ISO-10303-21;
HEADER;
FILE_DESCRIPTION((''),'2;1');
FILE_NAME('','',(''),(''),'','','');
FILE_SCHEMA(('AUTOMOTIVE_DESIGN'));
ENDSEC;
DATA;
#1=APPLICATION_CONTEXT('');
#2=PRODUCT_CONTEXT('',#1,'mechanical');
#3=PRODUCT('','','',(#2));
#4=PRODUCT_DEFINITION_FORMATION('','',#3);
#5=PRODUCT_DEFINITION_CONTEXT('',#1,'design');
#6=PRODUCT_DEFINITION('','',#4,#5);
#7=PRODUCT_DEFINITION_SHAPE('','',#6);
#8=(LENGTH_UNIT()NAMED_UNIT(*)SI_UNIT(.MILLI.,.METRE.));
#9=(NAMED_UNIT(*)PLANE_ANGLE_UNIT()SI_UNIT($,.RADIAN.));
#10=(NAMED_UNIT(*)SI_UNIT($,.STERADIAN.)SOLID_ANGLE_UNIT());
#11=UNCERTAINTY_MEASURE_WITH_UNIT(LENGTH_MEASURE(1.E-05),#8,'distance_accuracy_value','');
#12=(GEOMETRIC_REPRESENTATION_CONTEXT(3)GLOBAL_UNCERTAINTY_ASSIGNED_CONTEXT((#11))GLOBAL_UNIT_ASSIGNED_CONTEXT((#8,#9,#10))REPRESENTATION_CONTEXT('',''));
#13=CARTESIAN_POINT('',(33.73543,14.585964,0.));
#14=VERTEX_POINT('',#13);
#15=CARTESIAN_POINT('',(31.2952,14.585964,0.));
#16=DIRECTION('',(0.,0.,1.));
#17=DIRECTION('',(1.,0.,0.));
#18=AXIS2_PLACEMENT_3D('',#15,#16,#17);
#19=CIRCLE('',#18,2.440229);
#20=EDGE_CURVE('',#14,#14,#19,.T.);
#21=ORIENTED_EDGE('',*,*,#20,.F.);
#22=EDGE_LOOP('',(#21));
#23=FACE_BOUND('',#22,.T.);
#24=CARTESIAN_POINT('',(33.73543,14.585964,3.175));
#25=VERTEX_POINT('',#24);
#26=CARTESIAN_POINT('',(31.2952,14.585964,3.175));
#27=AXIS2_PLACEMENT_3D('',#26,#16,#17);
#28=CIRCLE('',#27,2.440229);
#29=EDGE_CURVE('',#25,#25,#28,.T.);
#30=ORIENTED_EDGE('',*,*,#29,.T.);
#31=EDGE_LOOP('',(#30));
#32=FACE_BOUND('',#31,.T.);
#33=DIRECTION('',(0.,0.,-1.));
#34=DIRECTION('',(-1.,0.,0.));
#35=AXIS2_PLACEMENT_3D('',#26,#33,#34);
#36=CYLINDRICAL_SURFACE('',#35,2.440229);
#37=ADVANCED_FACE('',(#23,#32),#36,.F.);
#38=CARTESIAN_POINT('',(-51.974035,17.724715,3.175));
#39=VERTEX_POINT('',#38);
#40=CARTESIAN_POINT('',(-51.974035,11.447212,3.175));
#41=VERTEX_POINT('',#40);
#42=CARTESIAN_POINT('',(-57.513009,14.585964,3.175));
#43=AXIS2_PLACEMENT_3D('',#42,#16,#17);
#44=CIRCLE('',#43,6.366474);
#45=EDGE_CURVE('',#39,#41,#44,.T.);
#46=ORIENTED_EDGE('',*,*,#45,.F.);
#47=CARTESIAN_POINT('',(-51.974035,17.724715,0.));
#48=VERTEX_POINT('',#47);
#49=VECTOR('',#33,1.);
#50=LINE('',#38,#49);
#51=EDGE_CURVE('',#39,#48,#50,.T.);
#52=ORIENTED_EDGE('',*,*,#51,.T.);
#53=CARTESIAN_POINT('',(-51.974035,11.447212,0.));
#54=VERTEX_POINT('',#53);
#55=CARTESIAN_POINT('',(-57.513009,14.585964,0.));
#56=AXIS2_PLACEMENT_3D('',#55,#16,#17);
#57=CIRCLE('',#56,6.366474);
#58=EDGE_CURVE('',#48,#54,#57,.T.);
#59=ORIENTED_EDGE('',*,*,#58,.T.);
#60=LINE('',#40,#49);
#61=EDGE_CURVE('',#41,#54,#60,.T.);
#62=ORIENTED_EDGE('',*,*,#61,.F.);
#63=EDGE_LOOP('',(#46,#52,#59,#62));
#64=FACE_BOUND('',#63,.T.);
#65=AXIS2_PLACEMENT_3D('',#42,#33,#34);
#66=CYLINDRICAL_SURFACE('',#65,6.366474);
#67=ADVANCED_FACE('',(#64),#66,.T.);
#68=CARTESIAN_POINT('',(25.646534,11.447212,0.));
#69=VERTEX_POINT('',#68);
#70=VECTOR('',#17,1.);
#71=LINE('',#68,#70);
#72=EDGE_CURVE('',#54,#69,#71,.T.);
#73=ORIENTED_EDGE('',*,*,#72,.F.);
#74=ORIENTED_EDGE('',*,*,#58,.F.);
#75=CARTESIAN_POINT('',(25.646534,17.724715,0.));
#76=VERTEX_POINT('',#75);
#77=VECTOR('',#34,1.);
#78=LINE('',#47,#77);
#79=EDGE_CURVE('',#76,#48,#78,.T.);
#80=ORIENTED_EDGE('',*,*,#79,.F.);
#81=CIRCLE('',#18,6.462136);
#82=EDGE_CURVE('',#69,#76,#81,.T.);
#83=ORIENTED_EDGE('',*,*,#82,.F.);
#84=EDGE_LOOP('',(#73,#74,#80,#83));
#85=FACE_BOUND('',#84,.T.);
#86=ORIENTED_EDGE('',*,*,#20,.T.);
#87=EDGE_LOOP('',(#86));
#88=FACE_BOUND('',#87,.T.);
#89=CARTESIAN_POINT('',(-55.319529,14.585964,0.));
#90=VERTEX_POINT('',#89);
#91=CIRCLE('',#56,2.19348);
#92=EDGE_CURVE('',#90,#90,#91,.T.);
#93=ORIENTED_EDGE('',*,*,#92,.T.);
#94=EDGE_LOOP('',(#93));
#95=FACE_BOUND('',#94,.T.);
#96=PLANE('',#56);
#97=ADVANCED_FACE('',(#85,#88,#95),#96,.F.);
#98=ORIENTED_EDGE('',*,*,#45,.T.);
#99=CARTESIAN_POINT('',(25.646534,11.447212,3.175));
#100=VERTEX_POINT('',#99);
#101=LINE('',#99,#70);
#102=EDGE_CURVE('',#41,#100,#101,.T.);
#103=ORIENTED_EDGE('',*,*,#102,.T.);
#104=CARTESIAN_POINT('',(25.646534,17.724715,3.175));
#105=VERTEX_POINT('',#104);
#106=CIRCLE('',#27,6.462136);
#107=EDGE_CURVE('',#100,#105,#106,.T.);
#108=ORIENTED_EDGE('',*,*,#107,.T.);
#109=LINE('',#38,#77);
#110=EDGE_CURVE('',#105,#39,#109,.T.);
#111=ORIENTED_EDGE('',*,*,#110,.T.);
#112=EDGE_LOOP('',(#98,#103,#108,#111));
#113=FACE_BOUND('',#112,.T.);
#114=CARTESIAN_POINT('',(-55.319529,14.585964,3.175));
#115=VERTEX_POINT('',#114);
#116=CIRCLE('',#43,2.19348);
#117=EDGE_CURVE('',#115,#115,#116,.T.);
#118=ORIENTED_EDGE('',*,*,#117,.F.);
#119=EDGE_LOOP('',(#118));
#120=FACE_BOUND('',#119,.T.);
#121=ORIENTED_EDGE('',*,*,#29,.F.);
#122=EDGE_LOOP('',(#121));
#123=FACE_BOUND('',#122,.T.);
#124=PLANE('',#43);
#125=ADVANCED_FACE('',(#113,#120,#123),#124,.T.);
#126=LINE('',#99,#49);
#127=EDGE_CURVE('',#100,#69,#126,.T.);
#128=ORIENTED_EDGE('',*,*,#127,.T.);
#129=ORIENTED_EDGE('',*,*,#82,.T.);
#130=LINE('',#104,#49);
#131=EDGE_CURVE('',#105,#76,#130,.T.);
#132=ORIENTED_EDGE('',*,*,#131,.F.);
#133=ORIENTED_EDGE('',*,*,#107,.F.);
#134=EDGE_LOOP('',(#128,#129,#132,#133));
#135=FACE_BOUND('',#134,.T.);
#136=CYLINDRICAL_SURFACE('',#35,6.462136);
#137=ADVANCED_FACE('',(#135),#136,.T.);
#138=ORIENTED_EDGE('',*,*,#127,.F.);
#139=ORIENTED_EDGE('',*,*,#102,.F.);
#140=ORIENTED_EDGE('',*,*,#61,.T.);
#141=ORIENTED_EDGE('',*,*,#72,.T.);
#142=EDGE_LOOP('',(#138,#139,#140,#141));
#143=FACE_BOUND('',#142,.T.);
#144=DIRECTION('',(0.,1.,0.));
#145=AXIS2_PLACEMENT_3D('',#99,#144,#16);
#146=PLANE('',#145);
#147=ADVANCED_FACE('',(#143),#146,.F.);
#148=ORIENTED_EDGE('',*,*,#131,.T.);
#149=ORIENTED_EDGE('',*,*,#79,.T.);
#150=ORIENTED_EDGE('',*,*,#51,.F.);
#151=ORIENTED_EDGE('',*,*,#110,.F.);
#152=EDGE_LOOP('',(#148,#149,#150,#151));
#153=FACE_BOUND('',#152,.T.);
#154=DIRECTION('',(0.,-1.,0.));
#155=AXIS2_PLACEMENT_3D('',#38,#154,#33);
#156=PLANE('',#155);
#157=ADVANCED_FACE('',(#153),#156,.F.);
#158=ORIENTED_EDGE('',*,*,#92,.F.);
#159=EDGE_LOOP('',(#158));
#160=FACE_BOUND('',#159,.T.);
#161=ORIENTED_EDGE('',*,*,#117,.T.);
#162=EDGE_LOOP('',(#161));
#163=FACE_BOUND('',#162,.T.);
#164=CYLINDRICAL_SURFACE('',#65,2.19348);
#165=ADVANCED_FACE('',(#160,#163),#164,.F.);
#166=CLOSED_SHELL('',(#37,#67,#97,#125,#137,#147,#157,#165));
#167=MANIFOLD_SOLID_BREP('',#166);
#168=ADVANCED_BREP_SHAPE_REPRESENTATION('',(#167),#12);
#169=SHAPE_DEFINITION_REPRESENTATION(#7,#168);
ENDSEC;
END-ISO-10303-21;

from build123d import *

# Parameters (mm, degrees)
SKETCH1_R           = 2.19347965
SKETCH1_R_2         = 2.440229405
BOSS_EXTRUDE1_DEPTH = 3.175


with BuildPart() as part:
    # Sketch1 → Boss-Extrude1 (new body)
    with BuildSketch(Plane.XY):
        with BuildLine():
            Line((-51.974034985, 17.724715306), (25.646533636, 17.724715306))
            ThreePointArc((25.646533636, 17.724715306), (37.757336251, 14.585963637), (25.646533636, 11.447211968))
            Line((25.646533636, 11.447211968), (-51.974034985, 11.447211968))
            ThreePointArc((-51.974034985, 11.447211968), (-63.879482412, 14.585963637), (-51.974034985, 17.724715306))
        make_face()
        with Locations((-57.513008519, 14.585963637)):
            Circle(SKETCH1_R, mode=Mode.SUBTRACT)
        with Locations((31.295200462, 14.585963637)):
            Circle(SKETCH1_R_2, mode=Mode.SUBTRACT)
    extrude(amount=BOSS_EXTRUDE1_DEPTH)


solid = part.part
